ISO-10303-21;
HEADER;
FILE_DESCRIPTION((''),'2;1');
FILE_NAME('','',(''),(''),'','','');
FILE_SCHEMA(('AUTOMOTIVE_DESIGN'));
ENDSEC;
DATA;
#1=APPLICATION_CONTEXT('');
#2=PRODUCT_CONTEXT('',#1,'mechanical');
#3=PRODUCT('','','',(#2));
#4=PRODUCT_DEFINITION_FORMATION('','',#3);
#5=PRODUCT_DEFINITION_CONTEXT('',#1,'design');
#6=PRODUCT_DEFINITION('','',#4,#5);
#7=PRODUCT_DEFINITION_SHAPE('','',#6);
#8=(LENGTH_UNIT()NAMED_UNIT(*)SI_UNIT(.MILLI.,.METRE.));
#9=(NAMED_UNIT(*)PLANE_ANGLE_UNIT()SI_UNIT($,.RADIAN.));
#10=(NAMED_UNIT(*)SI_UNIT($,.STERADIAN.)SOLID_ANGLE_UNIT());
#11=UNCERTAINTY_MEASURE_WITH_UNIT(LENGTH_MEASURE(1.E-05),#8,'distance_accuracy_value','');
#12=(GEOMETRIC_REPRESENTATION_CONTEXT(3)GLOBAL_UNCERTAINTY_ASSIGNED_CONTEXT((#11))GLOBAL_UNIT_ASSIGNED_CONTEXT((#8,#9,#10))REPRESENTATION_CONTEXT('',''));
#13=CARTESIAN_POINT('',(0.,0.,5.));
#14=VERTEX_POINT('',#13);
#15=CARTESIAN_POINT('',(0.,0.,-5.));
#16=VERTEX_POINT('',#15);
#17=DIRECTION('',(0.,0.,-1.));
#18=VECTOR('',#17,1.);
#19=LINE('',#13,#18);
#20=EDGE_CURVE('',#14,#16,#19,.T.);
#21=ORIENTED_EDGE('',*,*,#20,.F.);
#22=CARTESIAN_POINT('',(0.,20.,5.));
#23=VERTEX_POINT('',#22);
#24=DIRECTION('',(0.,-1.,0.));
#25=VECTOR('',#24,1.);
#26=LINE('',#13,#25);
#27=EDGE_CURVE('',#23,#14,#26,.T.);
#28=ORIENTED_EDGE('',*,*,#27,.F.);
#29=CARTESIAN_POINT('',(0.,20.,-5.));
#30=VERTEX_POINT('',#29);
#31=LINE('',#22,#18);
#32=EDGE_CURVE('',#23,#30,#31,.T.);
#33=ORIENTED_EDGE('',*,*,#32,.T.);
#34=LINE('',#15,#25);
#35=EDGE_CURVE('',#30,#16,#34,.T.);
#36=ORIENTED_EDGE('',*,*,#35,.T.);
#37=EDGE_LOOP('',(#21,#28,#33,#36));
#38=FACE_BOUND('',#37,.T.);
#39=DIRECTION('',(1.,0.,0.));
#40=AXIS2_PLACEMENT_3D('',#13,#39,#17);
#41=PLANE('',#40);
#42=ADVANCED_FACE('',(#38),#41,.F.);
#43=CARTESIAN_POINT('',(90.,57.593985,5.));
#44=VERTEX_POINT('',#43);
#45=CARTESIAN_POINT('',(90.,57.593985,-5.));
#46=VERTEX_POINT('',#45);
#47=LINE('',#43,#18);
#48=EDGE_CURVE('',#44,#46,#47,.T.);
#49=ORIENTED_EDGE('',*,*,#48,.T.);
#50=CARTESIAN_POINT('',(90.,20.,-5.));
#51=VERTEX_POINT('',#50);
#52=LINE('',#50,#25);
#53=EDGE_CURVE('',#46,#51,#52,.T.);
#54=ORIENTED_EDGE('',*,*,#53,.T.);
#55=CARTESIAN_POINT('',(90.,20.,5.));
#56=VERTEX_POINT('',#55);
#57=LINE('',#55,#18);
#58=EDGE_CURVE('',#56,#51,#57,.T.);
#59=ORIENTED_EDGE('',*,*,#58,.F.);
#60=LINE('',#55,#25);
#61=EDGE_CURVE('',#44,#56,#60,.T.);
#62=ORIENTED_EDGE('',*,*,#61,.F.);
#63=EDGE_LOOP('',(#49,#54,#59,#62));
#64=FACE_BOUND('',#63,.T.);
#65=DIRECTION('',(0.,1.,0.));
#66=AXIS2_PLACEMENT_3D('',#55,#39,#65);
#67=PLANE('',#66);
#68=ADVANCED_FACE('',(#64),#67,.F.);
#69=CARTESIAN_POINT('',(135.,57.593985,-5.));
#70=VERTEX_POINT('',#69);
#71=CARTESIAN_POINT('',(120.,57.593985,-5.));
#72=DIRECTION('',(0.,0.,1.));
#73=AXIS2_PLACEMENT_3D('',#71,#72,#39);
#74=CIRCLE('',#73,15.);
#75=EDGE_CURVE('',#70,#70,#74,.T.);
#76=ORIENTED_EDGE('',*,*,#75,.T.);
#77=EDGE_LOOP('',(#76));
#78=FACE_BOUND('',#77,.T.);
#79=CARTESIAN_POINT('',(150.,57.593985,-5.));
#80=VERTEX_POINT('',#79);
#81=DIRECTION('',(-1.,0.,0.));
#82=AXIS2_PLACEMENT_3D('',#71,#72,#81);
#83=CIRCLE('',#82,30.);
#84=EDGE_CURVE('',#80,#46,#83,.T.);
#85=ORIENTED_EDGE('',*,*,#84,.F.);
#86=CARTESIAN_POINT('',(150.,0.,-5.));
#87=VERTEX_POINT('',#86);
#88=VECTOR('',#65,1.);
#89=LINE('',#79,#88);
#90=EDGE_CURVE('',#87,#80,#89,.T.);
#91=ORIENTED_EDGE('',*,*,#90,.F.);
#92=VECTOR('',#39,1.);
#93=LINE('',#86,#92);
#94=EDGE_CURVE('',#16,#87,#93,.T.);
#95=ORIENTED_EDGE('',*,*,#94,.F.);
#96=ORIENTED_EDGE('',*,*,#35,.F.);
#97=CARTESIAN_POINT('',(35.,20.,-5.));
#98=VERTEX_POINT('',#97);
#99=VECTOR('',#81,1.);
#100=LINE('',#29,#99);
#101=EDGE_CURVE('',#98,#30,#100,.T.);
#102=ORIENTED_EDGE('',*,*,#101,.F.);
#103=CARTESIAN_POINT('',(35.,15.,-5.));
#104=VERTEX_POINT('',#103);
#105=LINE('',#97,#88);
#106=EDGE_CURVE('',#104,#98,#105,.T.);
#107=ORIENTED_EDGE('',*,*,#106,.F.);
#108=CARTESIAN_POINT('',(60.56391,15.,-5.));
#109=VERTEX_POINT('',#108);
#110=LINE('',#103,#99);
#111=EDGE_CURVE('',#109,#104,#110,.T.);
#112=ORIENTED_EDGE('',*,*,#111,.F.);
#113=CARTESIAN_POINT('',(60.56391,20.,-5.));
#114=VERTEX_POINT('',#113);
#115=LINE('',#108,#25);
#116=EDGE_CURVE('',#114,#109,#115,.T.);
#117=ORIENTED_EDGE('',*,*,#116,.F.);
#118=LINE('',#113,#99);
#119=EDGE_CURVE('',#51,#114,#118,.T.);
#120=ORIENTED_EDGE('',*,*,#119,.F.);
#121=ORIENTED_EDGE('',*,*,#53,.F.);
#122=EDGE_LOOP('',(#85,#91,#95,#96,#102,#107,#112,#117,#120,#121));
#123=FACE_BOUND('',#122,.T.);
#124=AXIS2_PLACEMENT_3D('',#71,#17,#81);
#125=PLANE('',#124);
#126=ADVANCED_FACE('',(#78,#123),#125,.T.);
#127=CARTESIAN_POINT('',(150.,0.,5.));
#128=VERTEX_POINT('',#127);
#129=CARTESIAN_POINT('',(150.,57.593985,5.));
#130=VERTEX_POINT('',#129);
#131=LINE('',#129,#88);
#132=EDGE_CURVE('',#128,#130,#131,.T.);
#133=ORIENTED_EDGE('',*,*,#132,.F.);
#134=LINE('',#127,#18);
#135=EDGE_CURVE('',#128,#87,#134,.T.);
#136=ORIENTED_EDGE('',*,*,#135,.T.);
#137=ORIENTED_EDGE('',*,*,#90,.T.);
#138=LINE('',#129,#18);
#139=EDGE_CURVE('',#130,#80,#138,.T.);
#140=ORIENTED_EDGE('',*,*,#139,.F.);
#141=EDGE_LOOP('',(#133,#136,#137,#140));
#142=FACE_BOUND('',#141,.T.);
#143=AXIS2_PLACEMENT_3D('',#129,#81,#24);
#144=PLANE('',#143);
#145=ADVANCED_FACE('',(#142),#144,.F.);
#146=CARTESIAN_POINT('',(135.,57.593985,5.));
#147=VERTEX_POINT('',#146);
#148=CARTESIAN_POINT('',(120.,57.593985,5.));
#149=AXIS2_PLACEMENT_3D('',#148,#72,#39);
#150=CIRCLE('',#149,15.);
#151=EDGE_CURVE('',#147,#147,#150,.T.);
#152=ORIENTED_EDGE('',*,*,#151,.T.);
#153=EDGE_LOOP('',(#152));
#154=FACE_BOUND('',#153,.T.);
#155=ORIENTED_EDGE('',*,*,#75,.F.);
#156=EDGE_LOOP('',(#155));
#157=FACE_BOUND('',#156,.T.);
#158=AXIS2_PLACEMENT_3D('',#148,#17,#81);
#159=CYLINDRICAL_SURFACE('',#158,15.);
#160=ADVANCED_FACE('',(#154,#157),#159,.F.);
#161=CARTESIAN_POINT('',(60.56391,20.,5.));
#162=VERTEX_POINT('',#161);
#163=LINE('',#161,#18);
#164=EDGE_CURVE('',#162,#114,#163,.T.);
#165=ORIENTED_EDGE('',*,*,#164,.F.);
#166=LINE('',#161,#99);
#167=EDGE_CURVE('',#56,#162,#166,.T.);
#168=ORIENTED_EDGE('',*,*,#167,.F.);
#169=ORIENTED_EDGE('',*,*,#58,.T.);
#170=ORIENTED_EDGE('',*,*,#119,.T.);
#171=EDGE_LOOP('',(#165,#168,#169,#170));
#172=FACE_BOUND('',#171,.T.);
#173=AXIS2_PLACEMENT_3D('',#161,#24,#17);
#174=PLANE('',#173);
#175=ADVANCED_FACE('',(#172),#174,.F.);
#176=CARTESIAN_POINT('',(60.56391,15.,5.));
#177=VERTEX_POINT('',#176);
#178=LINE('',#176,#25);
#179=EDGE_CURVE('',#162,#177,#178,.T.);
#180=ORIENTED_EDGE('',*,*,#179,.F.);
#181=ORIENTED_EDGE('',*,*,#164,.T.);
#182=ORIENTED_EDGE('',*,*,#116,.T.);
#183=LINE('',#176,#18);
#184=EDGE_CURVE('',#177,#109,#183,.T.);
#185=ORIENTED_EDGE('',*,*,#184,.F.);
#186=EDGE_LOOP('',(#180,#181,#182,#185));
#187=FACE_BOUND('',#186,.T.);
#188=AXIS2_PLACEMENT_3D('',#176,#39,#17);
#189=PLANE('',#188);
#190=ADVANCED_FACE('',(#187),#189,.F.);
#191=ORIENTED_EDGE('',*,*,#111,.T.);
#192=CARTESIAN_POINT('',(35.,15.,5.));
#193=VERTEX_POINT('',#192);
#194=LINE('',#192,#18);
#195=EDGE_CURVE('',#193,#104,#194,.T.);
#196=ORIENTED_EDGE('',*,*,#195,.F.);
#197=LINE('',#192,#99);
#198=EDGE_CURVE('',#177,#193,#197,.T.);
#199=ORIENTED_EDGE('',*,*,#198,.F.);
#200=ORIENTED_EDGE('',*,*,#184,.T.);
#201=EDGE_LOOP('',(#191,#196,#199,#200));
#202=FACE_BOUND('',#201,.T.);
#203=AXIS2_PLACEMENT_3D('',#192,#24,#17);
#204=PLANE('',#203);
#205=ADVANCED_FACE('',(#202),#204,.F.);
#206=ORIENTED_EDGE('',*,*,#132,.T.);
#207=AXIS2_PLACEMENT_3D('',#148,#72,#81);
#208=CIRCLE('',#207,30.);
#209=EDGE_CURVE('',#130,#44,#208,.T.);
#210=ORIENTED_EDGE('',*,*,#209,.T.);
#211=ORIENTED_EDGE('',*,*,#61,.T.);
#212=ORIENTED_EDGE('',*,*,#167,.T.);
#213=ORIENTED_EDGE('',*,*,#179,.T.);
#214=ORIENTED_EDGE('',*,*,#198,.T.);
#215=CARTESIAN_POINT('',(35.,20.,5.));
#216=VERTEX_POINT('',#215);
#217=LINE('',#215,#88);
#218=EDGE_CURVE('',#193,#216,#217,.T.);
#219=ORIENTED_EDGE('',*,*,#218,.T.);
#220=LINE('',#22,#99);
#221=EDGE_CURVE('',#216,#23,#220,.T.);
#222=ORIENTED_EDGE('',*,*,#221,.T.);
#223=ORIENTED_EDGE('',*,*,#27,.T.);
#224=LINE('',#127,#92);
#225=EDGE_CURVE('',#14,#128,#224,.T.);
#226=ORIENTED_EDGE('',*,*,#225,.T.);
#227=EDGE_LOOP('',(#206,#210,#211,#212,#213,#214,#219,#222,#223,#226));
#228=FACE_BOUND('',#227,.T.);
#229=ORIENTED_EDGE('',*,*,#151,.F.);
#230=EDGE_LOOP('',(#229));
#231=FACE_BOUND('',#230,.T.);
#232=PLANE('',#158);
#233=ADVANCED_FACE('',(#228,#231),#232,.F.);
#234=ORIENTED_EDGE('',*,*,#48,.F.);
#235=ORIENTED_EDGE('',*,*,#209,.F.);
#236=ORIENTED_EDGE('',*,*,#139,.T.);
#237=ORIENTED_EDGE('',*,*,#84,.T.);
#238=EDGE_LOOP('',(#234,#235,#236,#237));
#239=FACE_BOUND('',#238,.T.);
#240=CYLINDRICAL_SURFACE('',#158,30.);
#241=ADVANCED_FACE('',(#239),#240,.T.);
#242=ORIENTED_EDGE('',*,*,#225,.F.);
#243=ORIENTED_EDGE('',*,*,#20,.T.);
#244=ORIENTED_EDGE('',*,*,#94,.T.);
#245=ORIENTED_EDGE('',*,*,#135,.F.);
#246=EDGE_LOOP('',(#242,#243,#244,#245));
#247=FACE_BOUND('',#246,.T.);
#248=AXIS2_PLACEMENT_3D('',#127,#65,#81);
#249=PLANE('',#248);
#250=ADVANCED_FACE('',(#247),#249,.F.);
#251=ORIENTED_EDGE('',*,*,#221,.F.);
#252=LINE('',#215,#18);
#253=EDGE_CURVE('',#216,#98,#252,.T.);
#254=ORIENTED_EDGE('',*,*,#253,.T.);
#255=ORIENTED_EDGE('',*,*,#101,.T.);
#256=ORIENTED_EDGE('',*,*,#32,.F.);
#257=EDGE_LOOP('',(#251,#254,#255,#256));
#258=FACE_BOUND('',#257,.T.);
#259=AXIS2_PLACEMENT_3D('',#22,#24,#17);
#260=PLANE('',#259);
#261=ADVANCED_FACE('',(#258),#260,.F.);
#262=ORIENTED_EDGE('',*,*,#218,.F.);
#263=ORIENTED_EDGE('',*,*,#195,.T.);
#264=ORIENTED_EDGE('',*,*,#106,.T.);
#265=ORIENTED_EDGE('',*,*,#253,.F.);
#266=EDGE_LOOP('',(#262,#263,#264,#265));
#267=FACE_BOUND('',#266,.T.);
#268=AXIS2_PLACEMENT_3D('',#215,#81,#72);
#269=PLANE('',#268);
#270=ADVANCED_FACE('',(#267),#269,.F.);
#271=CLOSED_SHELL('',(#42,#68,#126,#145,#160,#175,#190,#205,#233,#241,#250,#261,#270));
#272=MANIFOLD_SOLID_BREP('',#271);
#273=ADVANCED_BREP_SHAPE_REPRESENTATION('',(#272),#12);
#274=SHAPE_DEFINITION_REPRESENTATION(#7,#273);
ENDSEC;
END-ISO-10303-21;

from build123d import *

# Parameters (mm, degrees)
SKETCH1_R           = 15
BOSS_EXTRUDE3_DEPTH = 5


with BuildPart() as part:
    # Sketch1 → Boss-Extrude3 (new, symmetric)
    with BuildSketch(Plane.XY):
        with BuildLine():
            Line((0, 0), (0, 20))
            Line((0, 20), (35, 20))
            Line((35, 20), (35, 15))
            Line((35, 15), (60.563909774, 15))
            Line((60.563909774, 15), (60.563909774, 20))
            Line((60.563909774, 20), (90, 20))
            Line((90, 20), (90, 57.593984962))
            ThreePointArc((90, 57.593984962), (120, 87.593984962), (150, 57.593984962))
            Line((150, 57.593984962), (150, 0))
            Line((150, 0), (0, 0))
        make_face()
        with Locations((120, 57.593984962)):
            Circle(SKETCH1_R, mode=Mode.SUBTRACT)
    extrude(amount=BOSS_EXTRUDE3_DEPTH, both=True)


solid = part.part
